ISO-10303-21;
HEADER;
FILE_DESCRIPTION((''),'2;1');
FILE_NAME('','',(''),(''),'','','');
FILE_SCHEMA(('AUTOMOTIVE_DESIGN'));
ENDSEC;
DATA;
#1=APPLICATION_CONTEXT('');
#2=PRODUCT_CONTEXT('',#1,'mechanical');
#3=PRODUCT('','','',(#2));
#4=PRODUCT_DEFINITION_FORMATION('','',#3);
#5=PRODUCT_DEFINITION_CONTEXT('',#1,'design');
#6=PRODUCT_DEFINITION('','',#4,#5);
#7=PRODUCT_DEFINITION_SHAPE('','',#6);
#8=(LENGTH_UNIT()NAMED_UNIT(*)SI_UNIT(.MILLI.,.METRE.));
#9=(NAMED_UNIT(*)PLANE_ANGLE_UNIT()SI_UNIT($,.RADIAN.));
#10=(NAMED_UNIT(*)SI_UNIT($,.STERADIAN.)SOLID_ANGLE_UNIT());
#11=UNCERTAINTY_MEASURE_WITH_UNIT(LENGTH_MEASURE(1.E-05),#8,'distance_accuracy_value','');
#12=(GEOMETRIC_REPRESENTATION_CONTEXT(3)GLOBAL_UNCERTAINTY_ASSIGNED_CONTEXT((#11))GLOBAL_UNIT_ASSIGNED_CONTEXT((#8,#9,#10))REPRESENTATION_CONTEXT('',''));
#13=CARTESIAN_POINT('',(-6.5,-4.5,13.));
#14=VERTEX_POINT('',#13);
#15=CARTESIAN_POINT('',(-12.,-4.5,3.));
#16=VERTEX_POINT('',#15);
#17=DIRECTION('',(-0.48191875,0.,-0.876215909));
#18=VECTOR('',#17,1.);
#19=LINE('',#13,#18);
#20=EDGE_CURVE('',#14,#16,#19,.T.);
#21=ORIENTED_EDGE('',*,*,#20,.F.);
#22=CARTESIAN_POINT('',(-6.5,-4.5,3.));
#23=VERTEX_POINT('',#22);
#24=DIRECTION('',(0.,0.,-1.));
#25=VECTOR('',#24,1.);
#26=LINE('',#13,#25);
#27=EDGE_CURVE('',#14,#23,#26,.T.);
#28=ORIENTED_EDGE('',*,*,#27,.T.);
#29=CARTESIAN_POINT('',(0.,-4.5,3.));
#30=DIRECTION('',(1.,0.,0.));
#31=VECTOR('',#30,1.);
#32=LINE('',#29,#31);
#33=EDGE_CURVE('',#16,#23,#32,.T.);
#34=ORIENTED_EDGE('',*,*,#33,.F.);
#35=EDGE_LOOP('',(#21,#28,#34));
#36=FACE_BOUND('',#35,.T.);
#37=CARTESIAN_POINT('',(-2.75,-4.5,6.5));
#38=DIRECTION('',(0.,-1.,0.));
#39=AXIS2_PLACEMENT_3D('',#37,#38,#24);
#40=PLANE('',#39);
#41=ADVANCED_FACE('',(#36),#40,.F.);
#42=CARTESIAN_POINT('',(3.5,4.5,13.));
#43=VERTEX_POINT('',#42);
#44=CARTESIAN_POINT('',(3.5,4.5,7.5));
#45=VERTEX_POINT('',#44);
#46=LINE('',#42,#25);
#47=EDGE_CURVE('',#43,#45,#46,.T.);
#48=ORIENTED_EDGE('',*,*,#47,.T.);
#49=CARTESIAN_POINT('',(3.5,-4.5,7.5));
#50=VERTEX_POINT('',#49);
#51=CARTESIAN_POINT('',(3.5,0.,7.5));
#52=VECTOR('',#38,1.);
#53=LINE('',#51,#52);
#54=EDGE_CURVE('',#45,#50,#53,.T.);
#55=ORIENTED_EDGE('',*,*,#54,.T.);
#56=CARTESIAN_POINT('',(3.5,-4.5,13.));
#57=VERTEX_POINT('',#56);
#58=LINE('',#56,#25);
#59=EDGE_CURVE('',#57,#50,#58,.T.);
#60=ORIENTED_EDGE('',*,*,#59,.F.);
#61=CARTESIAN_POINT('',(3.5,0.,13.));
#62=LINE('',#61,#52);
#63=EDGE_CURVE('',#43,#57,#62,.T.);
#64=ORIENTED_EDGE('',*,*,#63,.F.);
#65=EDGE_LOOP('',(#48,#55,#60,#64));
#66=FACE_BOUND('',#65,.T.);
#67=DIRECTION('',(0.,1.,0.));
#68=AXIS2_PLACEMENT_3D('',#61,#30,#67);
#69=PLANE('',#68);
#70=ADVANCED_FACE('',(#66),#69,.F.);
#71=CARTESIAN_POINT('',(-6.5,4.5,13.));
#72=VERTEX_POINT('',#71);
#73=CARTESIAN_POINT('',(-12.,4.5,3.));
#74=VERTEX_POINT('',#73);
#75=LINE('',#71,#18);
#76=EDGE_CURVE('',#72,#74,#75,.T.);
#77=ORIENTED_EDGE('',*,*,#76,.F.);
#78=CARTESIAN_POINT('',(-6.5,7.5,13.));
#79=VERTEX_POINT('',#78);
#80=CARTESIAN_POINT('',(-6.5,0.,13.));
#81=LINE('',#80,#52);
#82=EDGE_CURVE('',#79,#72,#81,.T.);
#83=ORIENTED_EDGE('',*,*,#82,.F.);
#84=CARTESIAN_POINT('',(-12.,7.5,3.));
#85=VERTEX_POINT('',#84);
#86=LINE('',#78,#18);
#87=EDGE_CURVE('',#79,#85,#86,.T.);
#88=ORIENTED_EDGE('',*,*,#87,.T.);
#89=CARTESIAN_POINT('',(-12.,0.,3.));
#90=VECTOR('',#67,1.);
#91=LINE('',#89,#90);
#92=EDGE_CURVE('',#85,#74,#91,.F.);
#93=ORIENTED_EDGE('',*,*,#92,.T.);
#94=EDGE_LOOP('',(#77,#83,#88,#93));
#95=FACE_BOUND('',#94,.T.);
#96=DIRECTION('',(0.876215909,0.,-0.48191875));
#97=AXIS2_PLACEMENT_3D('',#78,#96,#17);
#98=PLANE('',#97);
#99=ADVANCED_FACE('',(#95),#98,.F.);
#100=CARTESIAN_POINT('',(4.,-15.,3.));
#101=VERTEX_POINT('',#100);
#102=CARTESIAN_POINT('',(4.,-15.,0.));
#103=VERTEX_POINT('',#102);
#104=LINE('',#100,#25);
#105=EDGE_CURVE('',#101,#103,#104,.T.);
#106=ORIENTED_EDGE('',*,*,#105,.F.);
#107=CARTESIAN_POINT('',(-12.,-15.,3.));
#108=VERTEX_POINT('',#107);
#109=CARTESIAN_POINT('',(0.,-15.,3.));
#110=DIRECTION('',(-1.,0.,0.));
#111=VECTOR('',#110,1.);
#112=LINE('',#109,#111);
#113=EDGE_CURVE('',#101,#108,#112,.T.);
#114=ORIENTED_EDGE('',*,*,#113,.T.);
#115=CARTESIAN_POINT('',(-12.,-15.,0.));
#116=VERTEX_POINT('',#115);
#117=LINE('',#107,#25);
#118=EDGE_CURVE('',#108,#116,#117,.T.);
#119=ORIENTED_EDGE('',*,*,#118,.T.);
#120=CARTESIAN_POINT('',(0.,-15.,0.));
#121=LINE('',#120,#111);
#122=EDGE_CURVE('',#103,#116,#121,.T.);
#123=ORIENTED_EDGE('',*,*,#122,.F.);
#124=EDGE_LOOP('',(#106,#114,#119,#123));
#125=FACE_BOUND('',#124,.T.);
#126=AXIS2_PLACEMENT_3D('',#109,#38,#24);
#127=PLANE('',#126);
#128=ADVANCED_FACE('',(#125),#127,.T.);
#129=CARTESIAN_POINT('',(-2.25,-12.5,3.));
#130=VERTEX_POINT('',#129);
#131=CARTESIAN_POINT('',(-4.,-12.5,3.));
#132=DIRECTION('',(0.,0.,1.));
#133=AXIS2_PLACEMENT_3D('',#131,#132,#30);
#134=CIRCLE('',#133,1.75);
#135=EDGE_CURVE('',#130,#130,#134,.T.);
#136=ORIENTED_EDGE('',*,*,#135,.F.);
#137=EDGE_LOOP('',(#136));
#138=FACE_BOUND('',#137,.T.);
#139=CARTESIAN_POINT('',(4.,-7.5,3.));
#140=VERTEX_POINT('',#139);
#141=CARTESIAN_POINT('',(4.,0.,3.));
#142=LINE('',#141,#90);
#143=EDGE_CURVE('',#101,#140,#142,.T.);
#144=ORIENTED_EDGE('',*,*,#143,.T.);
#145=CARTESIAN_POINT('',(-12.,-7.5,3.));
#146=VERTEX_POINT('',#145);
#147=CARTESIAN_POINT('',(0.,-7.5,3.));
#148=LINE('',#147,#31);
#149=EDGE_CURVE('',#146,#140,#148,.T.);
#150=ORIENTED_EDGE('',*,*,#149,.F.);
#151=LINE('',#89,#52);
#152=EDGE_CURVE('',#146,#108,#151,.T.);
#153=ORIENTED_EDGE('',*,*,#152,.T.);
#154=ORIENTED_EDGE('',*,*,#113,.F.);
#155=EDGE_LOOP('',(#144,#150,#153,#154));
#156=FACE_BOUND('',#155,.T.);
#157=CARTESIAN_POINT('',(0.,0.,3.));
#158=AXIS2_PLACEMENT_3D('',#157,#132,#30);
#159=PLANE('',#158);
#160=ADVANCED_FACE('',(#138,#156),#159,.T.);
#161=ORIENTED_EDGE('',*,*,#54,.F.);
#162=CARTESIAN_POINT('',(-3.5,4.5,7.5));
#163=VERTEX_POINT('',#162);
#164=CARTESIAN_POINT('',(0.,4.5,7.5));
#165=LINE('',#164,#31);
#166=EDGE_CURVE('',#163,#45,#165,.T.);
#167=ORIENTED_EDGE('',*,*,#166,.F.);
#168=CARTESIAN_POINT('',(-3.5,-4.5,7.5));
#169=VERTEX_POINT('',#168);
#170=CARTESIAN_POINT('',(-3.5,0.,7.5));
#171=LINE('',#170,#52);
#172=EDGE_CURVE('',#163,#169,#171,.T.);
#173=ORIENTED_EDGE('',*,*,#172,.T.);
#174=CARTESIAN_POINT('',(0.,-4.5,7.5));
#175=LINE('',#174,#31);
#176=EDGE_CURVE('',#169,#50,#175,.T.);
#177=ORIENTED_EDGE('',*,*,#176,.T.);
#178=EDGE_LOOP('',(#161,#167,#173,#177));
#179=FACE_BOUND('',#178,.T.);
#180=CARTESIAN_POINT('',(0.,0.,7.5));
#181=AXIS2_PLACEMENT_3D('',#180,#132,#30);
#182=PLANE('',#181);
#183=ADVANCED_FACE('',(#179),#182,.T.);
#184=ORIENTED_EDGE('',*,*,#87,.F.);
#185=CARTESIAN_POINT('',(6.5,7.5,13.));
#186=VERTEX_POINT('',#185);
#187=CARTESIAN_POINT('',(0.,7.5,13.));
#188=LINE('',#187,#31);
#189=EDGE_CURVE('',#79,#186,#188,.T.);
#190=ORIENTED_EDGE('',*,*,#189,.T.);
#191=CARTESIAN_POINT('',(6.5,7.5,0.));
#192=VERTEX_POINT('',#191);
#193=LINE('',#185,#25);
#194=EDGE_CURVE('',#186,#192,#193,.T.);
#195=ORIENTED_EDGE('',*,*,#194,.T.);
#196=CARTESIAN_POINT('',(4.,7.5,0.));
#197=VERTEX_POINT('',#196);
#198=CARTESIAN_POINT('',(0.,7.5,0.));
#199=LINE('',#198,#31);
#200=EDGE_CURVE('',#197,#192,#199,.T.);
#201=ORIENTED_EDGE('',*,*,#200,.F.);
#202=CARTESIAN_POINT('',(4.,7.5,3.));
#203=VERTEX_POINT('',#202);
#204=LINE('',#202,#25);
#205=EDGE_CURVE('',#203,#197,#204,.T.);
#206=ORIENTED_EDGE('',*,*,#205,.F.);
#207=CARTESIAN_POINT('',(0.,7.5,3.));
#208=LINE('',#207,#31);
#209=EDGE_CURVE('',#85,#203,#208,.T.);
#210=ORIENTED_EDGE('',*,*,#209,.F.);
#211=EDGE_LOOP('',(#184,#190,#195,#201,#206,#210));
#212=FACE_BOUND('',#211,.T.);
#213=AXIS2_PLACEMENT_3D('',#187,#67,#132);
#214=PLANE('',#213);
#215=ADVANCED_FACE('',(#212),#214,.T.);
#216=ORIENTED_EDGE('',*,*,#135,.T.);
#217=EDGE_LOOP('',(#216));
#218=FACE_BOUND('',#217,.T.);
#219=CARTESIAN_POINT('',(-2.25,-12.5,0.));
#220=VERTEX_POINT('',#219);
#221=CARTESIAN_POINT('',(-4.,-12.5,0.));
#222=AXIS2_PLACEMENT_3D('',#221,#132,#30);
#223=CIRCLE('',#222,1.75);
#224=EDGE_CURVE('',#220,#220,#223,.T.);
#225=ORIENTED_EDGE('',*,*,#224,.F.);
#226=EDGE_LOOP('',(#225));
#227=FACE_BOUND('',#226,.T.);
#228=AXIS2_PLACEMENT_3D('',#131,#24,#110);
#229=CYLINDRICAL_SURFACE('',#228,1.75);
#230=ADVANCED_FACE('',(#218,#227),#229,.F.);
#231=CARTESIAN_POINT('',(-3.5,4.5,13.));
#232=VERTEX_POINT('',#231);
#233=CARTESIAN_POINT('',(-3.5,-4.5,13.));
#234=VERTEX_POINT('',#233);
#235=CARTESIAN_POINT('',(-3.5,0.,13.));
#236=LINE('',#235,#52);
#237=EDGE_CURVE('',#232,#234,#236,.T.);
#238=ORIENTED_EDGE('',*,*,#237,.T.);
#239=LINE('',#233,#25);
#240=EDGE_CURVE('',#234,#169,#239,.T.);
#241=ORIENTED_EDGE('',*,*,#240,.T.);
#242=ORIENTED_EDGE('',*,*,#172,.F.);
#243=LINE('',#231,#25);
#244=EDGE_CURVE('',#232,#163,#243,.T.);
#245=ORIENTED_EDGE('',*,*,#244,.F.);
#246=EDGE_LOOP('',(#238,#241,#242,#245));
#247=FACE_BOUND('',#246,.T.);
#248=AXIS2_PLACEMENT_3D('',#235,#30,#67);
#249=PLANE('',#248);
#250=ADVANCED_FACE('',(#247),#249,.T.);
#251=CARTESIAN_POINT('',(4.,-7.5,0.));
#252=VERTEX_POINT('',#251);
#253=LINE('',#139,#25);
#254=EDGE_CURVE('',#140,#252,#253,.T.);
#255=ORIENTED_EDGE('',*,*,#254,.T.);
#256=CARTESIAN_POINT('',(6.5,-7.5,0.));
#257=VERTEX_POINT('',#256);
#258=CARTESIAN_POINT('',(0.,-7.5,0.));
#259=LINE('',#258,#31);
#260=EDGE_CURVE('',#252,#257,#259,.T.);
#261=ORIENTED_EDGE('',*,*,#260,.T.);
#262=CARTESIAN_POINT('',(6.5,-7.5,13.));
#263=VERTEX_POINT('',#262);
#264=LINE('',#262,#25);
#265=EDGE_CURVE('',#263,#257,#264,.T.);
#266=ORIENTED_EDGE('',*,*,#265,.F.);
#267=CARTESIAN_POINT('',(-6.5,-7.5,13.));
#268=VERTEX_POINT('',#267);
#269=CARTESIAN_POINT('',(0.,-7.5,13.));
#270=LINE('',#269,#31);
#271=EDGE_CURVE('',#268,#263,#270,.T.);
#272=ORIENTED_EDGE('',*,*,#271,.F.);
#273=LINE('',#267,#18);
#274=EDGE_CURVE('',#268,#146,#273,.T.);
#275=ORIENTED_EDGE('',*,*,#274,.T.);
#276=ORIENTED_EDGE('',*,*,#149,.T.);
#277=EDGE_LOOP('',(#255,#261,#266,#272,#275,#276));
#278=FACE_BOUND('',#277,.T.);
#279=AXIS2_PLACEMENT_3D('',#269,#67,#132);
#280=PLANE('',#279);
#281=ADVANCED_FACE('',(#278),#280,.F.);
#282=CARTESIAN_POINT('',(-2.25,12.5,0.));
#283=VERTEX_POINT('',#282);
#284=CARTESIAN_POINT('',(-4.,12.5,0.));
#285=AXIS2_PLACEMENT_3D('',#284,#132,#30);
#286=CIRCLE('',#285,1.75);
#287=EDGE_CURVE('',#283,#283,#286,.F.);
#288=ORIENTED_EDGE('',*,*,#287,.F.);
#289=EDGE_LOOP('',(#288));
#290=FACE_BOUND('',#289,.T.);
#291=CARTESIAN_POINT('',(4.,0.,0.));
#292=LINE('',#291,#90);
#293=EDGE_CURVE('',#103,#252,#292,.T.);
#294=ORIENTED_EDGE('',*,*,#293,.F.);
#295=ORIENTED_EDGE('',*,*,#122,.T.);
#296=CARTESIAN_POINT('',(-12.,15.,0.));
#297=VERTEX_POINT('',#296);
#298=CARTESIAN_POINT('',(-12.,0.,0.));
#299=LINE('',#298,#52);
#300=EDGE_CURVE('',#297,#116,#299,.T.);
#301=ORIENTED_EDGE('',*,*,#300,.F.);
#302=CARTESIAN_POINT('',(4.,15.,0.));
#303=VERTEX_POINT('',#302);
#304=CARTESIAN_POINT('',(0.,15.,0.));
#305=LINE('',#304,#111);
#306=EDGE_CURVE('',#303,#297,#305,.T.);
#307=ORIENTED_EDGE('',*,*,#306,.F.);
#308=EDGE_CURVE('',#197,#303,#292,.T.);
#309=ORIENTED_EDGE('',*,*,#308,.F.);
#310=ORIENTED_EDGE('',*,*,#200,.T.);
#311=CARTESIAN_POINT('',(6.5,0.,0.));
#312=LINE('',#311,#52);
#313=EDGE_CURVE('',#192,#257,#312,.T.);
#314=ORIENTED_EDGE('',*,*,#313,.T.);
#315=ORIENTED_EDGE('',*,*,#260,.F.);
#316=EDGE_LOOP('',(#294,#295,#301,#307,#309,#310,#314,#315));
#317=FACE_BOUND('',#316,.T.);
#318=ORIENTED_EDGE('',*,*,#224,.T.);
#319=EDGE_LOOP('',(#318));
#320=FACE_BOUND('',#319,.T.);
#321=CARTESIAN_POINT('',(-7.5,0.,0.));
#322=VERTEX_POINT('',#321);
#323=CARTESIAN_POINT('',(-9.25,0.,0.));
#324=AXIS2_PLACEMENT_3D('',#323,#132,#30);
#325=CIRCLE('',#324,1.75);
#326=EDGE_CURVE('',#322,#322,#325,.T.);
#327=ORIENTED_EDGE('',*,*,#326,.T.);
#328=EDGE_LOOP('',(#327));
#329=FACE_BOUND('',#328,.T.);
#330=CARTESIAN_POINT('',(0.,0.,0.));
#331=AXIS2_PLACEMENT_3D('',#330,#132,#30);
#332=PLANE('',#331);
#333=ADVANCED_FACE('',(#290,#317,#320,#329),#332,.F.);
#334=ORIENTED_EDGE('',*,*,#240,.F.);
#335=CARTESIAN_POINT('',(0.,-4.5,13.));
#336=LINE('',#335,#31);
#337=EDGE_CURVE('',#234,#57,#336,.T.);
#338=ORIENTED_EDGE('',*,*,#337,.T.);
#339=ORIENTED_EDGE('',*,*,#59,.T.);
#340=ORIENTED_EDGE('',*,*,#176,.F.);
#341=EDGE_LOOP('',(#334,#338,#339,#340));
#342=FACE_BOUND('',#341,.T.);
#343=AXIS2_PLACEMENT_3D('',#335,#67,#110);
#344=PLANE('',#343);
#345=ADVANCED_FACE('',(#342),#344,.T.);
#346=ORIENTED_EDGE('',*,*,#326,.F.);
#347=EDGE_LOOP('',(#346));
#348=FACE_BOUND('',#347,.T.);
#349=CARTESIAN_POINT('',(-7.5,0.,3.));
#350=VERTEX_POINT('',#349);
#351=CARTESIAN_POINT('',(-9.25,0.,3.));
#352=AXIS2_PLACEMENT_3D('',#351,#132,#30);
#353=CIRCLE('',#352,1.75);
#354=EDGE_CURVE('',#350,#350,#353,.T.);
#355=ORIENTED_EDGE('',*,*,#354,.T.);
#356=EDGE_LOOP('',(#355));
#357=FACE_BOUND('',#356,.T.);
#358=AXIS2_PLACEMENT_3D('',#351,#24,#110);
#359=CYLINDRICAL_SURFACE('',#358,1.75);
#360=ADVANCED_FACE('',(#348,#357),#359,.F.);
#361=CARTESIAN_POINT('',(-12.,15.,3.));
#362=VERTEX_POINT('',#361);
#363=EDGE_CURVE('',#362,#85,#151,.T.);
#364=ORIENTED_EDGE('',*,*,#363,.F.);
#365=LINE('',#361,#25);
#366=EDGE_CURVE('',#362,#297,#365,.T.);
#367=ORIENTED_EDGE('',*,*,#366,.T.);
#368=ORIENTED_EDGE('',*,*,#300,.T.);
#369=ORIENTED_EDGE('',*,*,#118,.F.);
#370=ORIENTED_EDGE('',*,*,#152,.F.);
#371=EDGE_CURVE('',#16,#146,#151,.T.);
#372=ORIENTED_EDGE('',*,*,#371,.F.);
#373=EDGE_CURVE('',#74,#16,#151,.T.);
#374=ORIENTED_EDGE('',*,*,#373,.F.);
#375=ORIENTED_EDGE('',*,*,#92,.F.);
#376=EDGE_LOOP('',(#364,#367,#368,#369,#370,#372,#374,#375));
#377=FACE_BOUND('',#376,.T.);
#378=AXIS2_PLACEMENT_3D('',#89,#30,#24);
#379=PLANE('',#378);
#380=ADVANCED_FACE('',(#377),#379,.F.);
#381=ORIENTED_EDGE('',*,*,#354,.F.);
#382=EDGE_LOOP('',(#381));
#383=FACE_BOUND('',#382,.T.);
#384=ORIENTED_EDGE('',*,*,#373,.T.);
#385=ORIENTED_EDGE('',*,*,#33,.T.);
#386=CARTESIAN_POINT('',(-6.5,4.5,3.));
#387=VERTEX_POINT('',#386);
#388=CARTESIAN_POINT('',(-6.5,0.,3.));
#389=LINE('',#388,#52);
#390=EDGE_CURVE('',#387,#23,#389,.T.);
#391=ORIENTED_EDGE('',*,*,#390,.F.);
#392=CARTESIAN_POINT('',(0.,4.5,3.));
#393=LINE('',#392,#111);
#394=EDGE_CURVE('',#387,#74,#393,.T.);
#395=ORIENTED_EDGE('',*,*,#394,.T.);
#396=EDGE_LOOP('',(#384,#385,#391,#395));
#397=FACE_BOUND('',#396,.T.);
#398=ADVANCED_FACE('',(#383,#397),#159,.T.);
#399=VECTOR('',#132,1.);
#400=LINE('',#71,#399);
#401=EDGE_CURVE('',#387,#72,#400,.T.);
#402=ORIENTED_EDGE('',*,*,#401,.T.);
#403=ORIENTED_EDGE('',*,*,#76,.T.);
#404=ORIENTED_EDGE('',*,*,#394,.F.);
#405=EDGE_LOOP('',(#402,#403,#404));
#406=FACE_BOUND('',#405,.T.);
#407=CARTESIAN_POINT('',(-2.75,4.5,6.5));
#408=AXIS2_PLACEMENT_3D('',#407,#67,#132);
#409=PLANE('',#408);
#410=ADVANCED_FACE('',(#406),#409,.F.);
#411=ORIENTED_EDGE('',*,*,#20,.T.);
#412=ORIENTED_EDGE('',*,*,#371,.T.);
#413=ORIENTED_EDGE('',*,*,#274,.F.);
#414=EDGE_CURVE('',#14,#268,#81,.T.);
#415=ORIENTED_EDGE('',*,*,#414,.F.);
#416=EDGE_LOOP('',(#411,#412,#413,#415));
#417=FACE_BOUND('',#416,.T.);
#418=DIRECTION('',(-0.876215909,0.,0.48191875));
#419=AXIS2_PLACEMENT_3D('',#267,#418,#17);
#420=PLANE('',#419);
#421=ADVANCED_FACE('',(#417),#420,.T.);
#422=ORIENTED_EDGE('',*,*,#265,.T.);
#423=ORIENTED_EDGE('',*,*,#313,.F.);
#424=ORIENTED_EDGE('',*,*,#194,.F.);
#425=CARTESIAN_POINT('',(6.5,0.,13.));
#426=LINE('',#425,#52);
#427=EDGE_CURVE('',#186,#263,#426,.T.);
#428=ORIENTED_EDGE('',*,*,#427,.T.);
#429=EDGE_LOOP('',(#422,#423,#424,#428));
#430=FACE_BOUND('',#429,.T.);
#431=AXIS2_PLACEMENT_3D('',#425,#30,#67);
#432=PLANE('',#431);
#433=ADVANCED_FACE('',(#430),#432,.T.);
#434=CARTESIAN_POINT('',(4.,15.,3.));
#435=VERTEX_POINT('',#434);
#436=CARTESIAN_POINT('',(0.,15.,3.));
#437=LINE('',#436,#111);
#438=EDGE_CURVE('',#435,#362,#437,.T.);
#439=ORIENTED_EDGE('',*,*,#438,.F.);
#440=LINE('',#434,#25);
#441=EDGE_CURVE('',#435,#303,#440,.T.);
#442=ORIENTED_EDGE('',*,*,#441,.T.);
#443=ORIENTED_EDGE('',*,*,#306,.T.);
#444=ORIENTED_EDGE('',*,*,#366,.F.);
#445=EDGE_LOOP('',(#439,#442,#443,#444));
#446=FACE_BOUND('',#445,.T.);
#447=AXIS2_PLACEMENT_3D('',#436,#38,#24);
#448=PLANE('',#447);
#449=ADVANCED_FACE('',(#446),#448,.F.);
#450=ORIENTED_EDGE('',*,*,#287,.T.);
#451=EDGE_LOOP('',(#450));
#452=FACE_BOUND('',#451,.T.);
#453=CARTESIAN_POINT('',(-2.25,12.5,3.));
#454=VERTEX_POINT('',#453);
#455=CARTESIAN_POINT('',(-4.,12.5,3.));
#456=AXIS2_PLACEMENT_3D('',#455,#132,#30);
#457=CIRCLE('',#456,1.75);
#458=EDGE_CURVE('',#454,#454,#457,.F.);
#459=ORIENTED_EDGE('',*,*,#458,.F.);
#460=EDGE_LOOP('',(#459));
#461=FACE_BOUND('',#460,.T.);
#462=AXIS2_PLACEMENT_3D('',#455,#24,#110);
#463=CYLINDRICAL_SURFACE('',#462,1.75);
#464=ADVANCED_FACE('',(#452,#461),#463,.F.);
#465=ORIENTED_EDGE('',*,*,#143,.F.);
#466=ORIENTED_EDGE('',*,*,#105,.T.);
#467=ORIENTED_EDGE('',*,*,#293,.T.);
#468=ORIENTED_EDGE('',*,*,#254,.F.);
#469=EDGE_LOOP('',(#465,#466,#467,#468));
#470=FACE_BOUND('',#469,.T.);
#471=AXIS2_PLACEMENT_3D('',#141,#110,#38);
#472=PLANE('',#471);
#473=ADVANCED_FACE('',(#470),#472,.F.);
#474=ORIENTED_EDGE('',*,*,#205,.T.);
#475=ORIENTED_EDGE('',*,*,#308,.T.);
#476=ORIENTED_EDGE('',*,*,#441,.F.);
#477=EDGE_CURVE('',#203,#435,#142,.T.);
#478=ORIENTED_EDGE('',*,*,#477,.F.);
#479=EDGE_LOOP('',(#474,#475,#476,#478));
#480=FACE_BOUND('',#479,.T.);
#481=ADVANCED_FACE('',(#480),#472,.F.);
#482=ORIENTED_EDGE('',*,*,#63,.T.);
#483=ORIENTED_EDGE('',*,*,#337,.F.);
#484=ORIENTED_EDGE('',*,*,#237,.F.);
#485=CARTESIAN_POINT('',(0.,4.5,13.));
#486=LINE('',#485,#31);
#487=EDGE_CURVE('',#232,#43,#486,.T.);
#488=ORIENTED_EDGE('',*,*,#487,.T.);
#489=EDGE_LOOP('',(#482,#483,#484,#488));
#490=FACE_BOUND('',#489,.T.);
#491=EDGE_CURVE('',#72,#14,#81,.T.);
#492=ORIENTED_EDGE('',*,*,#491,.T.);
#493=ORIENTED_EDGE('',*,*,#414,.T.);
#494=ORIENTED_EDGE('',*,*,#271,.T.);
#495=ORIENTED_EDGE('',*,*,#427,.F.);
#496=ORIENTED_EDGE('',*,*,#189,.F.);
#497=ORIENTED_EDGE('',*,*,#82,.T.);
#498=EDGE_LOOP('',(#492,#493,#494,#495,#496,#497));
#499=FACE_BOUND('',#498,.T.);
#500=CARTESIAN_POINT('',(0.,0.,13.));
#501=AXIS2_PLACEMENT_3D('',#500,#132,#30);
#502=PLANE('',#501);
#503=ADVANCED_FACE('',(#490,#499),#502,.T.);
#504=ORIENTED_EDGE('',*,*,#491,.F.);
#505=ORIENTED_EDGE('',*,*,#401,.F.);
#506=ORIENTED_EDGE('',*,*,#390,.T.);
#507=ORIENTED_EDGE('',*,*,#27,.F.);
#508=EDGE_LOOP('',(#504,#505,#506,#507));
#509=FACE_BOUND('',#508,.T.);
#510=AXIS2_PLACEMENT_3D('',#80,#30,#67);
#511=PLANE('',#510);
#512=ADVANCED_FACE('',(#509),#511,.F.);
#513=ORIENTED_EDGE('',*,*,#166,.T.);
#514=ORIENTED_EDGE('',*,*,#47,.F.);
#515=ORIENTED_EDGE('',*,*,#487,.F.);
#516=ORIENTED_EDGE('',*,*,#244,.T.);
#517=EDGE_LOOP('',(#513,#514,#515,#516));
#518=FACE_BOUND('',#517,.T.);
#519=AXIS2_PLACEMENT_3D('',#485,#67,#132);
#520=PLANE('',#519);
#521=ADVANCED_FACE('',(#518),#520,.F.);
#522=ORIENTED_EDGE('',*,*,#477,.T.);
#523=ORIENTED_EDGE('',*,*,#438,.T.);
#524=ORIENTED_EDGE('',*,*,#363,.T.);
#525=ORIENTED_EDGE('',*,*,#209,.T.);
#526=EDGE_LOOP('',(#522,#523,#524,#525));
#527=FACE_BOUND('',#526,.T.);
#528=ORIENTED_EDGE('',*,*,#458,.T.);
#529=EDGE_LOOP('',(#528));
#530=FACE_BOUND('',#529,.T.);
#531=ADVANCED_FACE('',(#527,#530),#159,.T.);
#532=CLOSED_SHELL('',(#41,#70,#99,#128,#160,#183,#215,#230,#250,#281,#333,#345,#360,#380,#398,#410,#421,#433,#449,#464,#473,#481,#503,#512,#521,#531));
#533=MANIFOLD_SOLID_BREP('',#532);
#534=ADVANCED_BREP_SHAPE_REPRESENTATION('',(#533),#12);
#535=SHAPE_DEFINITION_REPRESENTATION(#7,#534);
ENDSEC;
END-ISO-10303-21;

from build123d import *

# Parameters (mm, degrees)
ESQUISSE1_R        = 1.75
BOSS_EXTRU_1_DEPTH = 3
ESQUISSE1_3_W      = 7
ESQUISSE1_3_H      = 9
BOSS_EXTRU_2_DEPTH = 13
NERVURE2_REACH     = 30.623
ESQUISSE5_WALL_W   = 70.657799336
ESQUISSE5_WALL_H   = 3
ESQUISSE1_4_W      = 7
ESQUISSE1_4_H      = 9
BOSS_EXTRU_3_DEPTH = 7.5


with BuildPart() as part:
    # Esquisse1 → Boss.-Extru.1 (new body)
    with BuildSketch(Plane.XY):
        Polygon((-6.5, -7.5), (-6.5, 7.5), (4, 7.5), (4, 15), (-12, 15), (-12, -15), (4, -15), (4, -7.5), align=None)
        with Locations((-9.25, 0)):
            Circle(ESQUISSE1_R, mode=Mode.SUBTRACT)
        with Locations((-4, -12.5)):
            Circle(ESQUISSE1_R, mode=Mode.SUBTRACT)
        with Locations((-4, 12.5)):
            Circle(ESQUISSE1_R, mode=Mode.SUBTRACT)
    extrude(amount=BOSS_EXTRU_1_DEPTH)

    # Esquisse1<3> → Boss.-Extru.2 (add)
    with BuildSketch(Plane.XY):
        Polygon((4, 7.5), (-6.5, 7.5), (-6.5, -7.5), (4, -7.5), (6.5, -7.5), (6.5, 7.5), align=None)
        Rectangle(ESQUISSE1_3_W, ESQUISSE1_3_H, mode=Mode.SUBTRACT)
    extrude(amount=BOSS_EXTRU_2_DEPTH)

    # Esquisse5 wall → Nervure2 (add, up to next)
    with BuildSketch(Plane(origin=(-9.25, -7.5, 8), x_dir=(-0.481918749772, 0, -0.876215908677), z_dir=(0.876215908677, 0, -0.481918749772)), mode=Mode.PRIVATE) as nervure2_sk1:
        with Locations((0, 1.5)):
            Rectangle(ESQUISSE5_WALL_W, ESQUISSE5_WALL_H)
    nervure2_tool1 = extrude(nervure2_sk1.sketch, amount=NERVURE2_REACH, mode=Mode.PRIVATE) - part.part
    nervure2 = nervure2_tool1.solids().sort_by_distance((-9.25, -7.5, 8))[0]
    add(nervure2)

    # Symétrie4: Nervure2 across plane
    add(nervure2.mirror(Plane.ZX))

    # Esquisse1<4> → Boss.-Extru.3 (add)
    with BuildSketch(Plane.XY):
        Rectangle(ESQUISSE1_4_W, ESQUISSE1_4_H)
    extrude(amount=BOSS_EXTRU_3_DEPTH)


solid = part.part
